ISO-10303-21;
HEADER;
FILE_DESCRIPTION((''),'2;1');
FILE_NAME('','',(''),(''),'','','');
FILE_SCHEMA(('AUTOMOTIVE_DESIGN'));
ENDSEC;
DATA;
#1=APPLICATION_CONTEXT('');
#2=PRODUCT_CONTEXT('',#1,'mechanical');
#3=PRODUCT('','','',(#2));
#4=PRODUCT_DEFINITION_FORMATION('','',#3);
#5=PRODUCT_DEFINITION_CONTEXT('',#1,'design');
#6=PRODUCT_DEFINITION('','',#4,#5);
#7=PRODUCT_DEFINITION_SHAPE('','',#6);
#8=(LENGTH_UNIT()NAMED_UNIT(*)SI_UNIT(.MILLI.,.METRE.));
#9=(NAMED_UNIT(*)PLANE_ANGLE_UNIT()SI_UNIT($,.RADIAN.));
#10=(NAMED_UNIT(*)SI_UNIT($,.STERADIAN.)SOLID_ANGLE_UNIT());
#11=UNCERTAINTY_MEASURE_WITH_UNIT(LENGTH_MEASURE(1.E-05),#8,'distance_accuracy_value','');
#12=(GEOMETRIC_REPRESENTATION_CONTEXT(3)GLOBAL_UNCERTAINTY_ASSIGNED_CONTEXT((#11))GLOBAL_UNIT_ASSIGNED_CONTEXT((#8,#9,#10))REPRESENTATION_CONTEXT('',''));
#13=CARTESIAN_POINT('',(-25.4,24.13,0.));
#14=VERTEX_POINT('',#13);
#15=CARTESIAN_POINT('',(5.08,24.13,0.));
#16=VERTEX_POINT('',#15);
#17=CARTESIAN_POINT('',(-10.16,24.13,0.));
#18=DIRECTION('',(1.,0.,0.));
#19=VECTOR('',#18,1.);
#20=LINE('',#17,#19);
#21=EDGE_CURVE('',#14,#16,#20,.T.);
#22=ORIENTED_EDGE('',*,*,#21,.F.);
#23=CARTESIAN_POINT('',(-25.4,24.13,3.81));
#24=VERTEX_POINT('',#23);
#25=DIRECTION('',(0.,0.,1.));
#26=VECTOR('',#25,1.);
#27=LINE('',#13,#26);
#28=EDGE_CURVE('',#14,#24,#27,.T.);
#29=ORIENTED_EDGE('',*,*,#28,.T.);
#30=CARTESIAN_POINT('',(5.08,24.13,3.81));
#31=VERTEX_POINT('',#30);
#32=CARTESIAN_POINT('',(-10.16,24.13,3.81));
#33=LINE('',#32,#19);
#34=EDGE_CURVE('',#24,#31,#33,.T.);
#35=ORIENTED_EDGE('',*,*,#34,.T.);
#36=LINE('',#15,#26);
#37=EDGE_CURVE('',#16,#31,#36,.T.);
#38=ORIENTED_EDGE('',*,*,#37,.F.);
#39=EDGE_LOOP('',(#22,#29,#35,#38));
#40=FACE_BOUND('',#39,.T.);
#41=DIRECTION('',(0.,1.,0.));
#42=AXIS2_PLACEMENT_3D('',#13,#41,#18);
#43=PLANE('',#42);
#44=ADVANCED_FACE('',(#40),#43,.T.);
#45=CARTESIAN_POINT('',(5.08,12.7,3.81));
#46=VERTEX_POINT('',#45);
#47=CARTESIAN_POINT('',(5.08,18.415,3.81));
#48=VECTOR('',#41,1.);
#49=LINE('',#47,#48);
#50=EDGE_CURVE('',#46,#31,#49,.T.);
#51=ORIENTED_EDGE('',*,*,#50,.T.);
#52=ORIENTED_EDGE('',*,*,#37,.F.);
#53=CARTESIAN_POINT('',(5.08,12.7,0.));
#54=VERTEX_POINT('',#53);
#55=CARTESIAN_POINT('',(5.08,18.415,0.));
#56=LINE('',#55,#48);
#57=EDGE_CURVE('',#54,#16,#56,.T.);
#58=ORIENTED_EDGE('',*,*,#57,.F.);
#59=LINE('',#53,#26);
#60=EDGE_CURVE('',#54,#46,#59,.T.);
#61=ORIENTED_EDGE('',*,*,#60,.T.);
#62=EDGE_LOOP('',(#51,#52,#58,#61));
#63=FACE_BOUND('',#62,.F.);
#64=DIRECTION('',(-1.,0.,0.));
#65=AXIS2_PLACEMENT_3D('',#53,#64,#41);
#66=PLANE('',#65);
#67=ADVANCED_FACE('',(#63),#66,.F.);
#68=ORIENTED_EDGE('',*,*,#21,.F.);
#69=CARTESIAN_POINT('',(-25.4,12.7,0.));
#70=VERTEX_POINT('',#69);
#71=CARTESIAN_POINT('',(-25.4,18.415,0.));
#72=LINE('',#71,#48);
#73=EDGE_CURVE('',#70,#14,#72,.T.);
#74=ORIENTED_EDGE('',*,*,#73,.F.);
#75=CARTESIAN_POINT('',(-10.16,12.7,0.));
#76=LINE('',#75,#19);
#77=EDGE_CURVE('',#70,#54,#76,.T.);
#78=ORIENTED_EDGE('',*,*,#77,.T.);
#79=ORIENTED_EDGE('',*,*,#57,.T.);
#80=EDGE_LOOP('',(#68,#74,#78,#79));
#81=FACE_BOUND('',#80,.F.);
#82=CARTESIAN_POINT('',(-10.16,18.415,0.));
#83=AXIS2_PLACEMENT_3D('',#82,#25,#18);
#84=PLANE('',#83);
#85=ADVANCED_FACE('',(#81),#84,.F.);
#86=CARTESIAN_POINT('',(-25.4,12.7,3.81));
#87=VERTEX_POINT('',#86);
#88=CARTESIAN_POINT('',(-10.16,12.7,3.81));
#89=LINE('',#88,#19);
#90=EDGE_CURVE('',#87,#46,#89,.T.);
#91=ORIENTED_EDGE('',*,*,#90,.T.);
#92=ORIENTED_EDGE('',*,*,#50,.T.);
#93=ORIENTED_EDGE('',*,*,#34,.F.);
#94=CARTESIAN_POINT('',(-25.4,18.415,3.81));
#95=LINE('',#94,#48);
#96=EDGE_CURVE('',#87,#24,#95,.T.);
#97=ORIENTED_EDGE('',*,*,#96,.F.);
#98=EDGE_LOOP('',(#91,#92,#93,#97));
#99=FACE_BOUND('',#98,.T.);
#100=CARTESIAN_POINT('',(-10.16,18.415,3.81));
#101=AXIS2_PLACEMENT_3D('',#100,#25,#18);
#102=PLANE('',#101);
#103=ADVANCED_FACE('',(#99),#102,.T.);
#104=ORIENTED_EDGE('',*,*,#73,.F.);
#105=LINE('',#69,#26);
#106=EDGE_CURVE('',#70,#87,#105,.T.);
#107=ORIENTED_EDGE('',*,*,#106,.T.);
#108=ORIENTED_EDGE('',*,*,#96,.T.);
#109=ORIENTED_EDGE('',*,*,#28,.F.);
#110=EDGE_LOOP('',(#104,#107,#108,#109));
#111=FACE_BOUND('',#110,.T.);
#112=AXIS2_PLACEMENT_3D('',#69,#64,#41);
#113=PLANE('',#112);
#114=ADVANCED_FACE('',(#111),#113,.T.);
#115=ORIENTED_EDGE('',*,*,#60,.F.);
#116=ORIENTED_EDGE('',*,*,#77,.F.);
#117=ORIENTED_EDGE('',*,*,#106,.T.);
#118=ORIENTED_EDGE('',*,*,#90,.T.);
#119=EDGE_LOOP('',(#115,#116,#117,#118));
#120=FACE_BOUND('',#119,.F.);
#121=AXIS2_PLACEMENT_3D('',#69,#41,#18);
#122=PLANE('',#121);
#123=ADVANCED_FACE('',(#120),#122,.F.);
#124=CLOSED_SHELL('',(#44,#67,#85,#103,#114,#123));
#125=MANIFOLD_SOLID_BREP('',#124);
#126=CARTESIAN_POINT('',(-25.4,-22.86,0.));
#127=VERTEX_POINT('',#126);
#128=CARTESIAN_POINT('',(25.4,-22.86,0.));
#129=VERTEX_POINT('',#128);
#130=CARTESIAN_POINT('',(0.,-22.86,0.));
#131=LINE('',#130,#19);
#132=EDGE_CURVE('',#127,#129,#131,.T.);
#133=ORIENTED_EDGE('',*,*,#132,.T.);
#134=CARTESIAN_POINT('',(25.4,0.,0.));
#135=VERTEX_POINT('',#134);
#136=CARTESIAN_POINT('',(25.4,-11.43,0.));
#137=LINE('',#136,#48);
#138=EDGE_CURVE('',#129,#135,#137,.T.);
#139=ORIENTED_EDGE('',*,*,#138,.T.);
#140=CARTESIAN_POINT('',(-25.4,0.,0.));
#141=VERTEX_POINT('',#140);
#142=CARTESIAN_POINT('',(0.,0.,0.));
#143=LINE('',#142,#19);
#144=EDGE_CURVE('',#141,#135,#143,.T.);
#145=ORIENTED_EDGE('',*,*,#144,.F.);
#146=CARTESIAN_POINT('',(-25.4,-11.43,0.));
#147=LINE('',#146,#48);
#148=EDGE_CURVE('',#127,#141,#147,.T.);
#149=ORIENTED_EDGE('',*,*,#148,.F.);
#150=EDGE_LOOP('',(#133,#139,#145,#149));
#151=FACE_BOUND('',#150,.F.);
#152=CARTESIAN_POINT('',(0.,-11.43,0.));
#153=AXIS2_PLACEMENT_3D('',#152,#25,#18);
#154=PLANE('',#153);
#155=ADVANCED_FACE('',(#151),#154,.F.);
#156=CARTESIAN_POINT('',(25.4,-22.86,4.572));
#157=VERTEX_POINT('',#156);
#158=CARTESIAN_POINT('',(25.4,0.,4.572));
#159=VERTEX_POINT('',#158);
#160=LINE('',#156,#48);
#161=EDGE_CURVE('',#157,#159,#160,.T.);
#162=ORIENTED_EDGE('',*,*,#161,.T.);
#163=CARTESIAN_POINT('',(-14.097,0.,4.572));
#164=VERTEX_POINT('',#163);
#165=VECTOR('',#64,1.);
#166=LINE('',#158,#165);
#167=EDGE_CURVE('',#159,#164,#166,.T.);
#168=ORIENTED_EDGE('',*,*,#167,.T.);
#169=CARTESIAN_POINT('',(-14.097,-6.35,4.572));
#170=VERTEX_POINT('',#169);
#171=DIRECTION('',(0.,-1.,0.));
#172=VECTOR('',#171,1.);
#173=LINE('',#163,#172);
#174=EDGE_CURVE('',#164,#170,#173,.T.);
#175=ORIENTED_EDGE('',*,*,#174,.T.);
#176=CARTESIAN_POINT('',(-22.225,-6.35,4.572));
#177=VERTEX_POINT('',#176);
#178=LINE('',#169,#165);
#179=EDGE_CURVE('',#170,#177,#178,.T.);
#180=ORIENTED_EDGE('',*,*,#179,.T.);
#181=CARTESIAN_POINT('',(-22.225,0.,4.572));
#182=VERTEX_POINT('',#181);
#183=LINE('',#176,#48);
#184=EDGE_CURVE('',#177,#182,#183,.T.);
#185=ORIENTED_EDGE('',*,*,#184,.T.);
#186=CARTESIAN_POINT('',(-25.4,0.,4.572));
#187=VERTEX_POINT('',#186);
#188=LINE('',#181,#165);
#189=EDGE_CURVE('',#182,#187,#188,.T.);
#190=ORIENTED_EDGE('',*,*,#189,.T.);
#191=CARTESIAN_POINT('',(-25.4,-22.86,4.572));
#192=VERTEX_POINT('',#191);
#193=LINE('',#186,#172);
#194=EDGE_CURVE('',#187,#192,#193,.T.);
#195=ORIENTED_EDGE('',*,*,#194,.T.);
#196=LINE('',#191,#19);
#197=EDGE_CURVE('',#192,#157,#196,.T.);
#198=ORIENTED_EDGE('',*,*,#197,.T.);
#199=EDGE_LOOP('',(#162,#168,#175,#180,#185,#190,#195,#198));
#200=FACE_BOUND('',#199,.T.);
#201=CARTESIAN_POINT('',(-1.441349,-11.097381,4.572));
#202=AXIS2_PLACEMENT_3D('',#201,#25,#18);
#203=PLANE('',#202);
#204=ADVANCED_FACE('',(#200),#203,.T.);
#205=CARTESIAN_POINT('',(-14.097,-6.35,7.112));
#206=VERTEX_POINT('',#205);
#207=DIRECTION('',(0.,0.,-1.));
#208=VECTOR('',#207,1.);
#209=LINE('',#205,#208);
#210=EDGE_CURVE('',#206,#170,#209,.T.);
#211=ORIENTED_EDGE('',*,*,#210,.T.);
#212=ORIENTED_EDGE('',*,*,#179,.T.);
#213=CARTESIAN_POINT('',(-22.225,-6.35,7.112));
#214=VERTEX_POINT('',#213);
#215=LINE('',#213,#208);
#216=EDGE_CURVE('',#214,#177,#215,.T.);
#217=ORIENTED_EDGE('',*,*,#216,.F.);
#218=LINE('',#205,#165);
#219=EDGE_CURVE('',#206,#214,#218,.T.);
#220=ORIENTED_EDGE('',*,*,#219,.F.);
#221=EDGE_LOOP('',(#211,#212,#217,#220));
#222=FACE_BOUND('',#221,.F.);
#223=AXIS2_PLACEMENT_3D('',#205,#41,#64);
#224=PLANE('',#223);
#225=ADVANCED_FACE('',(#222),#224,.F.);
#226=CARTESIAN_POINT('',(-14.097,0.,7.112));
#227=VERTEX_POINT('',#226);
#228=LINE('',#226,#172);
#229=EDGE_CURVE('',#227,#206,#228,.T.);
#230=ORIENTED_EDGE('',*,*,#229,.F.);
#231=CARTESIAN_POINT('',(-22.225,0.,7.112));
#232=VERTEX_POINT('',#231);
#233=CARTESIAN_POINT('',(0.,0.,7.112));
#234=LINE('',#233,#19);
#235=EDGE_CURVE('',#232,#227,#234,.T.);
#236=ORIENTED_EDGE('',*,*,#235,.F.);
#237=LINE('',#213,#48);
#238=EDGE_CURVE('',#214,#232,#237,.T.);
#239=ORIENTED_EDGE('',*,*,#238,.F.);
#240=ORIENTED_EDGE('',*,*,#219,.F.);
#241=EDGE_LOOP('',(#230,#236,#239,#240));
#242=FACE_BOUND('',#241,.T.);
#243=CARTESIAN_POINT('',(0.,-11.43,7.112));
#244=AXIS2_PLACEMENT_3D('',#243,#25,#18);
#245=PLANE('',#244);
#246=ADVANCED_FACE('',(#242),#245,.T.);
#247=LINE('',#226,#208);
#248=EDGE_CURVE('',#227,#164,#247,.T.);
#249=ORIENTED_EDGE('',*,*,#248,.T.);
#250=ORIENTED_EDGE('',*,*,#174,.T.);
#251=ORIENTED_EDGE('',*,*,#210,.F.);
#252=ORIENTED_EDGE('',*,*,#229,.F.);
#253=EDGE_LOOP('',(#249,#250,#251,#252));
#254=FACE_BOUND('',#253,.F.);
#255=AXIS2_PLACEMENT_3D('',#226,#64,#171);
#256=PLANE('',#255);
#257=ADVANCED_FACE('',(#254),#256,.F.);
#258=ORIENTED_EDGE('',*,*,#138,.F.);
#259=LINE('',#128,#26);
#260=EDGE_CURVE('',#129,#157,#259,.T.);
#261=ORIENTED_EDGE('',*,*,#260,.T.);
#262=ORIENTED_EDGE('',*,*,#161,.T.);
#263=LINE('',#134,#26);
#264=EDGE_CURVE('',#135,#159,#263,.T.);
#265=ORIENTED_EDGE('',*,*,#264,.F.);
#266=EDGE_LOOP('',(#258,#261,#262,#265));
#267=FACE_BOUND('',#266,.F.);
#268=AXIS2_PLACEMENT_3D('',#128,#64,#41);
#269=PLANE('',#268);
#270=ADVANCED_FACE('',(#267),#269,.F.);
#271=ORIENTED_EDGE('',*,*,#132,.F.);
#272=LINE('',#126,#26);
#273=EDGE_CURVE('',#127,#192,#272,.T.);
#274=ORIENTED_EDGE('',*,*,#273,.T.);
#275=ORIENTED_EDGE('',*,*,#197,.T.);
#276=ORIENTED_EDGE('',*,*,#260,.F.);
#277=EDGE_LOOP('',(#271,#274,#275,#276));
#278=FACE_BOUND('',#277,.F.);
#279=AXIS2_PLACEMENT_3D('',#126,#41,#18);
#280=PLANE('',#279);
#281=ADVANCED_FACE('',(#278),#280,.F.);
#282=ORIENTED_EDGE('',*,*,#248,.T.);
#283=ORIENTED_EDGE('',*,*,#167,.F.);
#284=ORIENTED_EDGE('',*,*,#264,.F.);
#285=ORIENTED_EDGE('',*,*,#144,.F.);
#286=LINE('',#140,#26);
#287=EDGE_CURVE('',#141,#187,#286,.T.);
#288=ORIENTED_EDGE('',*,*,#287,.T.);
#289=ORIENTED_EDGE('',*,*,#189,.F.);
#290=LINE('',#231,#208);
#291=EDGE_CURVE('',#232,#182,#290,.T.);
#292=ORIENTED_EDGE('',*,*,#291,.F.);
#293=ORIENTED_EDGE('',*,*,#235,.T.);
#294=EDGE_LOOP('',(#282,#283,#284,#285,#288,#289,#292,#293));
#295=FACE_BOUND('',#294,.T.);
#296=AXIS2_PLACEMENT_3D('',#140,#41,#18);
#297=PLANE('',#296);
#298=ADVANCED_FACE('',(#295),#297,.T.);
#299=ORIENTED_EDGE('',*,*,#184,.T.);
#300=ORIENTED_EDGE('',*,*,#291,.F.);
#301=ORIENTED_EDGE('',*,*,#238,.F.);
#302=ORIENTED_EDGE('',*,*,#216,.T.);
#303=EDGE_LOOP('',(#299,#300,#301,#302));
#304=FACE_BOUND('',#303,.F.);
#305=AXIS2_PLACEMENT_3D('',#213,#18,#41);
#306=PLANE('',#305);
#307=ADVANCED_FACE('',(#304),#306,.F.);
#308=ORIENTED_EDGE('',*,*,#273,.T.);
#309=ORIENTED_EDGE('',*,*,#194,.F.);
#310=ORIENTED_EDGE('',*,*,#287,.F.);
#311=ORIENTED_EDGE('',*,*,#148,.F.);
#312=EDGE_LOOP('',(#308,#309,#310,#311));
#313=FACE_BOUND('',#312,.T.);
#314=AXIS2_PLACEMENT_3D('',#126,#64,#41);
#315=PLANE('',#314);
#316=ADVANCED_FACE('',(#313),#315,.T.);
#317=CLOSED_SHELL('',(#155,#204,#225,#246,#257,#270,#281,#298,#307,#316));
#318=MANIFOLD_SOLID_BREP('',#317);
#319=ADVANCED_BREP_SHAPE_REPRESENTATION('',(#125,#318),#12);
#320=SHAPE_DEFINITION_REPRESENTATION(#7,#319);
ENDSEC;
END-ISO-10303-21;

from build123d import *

# Parameters (mm, degrees)
F0_W     = 50.8
F0_H     = 22.86
F1_DEPTH = 7.112
F4_W     = 30.48
F4_H     = 11.43
F5_DEPTH = 3.81
F7_DEPTH = 2.54


with BuildPart() as f1:
    # F0 (on Top) → F1 (new body)
    with BuildSketch(Plane.XY):
        with Locations((0, -11.43)):
            Rectangle(F0_W, F0_H)
    extrude(amount=F1_DEPTH)

    # F2 (on face) → F7 (cut)
    with BuildSketch(Plane.XY.offset(7.112)):
        Polygon((-22.225, -6.35), (-22.225, 0), (-25.4, 0), (-25.4, -22.86), (25.4, -22.86), (25.4, 0), (-14.097, 0), (-14.097, -6.35), align=None)
    extrude(amount=-F7_DEPTH, mode=Mode.SUBTRACT)


with BuildPart() as f5:
    # F4 (on face) → F5 (new body)
    with BuildSketch(Plane.XY):
        with Locations((-10.16, 18.415)):
            Rectangle(F4_W, F4_H)
    extrude(amount=F5_DEPTH)


solid = Compound([f1.part, f5.part])
